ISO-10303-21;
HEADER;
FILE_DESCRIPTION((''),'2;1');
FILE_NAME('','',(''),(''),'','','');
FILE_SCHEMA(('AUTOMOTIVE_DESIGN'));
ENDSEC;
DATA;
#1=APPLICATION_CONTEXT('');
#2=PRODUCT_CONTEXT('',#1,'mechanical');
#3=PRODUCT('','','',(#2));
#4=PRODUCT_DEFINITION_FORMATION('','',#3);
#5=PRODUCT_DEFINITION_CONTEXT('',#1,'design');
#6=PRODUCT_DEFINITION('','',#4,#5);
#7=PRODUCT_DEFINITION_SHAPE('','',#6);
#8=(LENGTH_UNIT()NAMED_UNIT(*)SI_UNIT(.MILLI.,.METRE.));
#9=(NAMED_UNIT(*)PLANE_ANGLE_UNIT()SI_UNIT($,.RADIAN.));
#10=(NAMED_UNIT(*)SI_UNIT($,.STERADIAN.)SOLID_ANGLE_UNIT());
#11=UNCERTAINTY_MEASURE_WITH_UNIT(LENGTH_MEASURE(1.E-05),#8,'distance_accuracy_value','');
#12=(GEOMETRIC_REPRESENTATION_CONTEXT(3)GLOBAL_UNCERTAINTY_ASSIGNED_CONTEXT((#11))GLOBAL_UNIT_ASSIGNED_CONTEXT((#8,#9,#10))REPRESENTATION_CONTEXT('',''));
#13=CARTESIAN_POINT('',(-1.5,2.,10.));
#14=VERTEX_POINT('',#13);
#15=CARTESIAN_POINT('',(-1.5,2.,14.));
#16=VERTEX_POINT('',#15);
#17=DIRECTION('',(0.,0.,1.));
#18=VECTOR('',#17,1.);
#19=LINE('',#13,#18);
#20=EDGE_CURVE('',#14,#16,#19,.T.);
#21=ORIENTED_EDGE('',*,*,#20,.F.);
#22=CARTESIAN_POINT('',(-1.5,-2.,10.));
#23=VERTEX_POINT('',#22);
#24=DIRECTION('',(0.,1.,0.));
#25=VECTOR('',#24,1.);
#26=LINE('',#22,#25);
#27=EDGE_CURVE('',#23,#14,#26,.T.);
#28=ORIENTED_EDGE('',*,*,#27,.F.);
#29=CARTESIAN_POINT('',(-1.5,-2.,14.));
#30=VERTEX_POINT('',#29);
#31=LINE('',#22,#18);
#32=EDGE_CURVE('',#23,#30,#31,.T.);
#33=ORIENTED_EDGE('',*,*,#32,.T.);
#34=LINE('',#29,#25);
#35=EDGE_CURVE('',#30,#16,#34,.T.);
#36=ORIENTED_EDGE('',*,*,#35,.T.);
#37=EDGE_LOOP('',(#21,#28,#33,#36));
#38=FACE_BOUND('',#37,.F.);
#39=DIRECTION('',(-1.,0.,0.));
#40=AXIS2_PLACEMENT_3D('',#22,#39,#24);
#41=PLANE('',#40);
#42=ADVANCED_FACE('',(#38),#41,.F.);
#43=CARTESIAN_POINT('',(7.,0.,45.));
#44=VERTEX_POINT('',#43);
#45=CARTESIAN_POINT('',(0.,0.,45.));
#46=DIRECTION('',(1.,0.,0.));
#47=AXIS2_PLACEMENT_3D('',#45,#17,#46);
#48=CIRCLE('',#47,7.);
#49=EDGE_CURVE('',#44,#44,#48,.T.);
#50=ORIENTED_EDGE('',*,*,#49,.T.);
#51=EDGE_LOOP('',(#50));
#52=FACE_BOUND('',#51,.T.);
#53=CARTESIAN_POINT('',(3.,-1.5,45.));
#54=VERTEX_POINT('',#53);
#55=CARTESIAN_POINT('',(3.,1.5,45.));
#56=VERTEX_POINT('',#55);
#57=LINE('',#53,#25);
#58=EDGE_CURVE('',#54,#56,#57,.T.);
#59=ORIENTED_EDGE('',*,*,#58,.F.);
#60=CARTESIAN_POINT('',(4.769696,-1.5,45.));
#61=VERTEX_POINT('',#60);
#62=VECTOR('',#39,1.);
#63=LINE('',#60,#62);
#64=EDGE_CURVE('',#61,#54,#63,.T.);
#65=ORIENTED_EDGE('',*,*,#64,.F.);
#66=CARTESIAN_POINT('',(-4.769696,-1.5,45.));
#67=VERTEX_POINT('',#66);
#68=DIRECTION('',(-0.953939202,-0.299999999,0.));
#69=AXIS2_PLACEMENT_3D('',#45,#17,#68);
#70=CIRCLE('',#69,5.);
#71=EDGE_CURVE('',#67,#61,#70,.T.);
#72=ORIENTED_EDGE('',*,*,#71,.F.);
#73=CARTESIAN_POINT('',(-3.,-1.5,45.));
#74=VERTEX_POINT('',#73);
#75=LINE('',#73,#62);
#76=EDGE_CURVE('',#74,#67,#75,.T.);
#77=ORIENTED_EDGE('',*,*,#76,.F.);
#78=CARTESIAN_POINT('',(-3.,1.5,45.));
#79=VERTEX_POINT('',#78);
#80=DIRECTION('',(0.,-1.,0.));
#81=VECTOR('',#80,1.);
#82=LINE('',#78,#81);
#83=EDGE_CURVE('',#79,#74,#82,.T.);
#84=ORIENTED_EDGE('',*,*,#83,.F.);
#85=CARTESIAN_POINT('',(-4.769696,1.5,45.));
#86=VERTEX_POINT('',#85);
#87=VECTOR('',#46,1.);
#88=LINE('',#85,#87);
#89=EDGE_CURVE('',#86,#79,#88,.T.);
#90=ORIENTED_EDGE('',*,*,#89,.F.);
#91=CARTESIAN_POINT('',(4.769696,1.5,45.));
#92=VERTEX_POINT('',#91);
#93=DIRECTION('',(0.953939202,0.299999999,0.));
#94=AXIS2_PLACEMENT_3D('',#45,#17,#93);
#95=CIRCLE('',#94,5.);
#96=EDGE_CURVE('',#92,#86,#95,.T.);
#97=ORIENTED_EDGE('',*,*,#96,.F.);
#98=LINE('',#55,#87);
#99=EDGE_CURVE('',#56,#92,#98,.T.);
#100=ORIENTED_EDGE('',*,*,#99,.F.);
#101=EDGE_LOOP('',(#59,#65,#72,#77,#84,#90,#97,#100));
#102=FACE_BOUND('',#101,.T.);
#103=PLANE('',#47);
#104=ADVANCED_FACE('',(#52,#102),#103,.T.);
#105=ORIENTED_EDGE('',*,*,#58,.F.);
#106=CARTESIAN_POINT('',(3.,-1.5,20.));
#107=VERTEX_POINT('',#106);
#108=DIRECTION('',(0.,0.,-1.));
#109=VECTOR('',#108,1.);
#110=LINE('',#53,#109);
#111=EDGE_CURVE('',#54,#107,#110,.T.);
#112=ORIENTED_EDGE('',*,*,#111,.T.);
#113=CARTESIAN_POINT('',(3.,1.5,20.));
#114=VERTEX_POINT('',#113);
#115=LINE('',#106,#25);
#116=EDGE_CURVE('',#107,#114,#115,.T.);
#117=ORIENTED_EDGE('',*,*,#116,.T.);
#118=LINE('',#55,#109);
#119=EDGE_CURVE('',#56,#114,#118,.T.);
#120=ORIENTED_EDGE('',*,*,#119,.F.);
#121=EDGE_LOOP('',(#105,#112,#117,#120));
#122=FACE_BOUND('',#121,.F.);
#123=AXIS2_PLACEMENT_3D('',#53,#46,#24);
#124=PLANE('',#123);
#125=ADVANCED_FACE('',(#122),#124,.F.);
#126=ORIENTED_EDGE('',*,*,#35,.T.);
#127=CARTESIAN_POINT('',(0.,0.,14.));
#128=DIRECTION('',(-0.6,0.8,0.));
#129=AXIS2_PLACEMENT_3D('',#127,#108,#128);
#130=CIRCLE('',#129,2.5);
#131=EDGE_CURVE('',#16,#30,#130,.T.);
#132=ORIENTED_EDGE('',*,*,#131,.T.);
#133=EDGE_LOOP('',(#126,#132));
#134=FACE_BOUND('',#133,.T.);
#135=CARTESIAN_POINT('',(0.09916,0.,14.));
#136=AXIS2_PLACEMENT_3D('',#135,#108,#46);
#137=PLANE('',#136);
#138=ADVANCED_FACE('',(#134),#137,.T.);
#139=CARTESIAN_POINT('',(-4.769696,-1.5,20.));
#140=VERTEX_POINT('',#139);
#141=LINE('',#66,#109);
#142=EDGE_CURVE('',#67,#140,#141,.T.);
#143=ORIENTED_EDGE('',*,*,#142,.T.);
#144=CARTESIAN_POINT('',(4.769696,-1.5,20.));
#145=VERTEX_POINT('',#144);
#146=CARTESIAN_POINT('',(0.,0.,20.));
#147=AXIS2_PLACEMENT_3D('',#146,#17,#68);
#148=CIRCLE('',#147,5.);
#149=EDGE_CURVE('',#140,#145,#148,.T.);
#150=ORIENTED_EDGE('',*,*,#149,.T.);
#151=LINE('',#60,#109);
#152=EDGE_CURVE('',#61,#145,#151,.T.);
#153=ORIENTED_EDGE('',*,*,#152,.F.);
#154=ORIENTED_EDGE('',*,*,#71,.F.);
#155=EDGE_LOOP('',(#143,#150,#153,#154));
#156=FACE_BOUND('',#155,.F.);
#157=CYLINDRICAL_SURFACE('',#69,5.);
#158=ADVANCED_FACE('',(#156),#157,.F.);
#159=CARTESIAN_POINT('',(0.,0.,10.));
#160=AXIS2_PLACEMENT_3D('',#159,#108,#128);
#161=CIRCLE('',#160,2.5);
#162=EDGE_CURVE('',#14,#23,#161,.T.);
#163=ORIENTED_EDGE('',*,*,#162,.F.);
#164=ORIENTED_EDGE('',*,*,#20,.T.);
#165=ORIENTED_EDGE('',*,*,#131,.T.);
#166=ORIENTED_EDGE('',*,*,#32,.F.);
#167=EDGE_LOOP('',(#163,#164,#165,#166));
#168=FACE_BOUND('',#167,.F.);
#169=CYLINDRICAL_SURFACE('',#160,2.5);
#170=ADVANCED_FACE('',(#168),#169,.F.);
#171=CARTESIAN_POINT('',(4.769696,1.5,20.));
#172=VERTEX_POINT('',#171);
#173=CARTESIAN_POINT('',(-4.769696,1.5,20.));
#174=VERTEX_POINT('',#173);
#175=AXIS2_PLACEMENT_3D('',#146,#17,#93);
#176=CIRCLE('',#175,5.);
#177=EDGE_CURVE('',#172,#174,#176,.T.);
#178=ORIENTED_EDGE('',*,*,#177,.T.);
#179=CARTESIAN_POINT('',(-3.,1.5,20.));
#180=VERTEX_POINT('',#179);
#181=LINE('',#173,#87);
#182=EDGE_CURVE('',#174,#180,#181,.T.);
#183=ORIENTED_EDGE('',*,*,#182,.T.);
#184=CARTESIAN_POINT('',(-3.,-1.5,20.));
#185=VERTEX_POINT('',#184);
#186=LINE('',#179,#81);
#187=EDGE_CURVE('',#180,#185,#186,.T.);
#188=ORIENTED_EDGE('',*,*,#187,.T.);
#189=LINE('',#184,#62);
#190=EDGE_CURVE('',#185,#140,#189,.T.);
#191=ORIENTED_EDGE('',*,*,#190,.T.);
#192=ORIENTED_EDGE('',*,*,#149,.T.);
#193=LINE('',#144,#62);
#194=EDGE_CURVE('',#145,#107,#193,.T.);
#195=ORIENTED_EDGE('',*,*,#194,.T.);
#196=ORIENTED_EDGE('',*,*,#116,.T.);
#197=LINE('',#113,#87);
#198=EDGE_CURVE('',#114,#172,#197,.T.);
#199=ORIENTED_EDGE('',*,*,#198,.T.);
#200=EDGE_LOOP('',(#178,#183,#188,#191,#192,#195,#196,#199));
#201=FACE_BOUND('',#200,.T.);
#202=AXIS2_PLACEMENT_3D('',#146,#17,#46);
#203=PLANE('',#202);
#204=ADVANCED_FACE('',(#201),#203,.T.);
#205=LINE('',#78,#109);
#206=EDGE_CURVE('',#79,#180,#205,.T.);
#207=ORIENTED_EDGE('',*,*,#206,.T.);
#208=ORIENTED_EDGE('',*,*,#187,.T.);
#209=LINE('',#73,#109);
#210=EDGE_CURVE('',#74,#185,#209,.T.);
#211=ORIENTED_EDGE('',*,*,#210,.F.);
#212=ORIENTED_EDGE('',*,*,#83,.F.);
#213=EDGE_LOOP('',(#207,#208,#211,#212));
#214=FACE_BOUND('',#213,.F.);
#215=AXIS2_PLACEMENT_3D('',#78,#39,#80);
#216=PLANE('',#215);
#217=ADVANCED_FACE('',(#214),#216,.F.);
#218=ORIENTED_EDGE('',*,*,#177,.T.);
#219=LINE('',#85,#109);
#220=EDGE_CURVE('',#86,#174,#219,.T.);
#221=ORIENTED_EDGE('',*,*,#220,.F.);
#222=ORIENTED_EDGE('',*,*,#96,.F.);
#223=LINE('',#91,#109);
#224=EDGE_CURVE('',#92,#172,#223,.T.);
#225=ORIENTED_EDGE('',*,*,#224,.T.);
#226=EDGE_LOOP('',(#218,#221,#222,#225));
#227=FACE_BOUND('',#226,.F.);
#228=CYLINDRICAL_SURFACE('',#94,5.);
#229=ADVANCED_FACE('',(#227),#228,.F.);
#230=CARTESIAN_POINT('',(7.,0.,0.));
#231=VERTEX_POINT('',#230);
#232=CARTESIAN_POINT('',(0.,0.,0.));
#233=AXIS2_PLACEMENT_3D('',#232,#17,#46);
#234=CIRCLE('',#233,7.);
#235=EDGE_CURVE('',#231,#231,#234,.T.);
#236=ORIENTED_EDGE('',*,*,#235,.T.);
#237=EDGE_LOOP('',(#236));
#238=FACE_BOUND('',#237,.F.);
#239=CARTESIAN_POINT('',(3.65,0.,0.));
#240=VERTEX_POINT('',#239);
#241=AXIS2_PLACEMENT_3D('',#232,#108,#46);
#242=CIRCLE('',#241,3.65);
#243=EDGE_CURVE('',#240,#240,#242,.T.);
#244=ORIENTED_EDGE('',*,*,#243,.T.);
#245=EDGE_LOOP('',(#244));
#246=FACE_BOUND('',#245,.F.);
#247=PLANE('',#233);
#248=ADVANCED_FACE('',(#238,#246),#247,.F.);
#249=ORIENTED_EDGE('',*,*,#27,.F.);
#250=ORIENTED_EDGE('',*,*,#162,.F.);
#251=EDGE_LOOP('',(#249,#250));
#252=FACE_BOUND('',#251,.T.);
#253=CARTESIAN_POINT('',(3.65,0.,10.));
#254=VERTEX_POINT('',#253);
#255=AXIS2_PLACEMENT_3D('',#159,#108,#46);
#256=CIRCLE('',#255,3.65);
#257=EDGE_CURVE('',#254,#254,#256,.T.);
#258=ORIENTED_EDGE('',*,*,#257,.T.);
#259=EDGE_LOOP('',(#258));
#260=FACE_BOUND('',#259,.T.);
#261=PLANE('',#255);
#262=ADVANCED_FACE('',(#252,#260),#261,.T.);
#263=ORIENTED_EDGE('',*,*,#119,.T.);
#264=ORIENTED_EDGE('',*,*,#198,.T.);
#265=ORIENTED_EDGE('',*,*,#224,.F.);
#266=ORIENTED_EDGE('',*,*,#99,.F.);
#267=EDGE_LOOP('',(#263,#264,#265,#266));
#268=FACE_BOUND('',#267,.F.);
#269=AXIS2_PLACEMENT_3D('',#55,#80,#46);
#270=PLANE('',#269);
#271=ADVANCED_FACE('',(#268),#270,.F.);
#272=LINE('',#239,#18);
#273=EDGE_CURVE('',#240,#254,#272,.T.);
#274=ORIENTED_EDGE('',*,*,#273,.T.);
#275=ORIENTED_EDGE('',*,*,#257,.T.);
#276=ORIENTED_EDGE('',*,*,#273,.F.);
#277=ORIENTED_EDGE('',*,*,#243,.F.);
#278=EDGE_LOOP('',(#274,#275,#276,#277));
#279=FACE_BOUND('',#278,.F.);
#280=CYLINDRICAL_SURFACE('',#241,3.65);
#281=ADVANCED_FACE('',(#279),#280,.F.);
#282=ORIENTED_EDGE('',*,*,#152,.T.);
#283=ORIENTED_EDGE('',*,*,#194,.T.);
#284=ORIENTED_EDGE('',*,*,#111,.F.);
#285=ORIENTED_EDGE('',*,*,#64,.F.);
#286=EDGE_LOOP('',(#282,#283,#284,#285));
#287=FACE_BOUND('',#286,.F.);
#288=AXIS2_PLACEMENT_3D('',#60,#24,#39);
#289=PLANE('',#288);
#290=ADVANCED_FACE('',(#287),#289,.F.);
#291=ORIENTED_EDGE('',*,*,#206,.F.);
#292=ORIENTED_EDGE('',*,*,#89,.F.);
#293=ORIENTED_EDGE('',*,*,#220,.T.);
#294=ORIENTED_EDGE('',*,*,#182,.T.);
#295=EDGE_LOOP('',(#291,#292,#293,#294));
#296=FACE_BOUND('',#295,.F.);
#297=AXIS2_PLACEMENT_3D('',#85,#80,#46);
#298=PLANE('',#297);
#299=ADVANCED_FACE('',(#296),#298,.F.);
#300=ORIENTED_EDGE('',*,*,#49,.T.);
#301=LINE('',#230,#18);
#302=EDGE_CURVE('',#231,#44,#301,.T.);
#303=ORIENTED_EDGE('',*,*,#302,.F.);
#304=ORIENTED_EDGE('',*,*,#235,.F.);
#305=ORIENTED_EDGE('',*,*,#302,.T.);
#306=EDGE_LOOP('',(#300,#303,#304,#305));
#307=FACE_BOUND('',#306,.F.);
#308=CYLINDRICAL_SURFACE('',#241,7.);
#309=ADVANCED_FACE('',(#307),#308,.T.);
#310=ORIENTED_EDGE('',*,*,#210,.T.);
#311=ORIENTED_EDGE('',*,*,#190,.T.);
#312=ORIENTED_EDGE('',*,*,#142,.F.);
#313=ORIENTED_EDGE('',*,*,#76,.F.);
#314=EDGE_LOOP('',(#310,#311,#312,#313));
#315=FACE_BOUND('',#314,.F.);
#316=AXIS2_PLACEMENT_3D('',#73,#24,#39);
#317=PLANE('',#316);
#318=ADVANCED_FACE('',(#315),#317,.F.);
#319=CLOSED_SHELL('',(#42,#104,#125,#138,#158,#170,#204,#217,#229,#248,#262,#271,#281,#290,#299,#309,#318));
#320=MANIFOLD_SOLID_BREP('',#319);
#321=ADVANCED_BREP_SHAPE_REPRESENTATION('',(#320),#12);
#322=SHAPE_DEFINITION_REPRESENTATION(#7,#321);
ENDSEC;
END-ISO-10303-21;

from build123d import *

# Parameters (mm, degrees)
F0_R     = 7
F1_DEPTH = 45
F3_DEPTH = 25
F4_R     = 3.65
F5_DEPTH = 10
F7_DEPTH = 4


with BuildPart() as f1:
    # F0 (on Top) → F1 (new body)
    with BuildSketch(Plane.XY):
        Circle(F0_R)
    extrude(amount=F1_DEPTH)

    # F2 (on face) → F3 (cut)
    with BuildSketch(Plane.XY.offset(45)):
        with BuildLine():
            ThreePointArc((4.769696, 1.5), (0, 5), (-4.769696, 1.5))
            Line((-4.769696, 1.5), (-3, 1.5))
            Line((-3, 1.5), (-3, -1.5))
            Line((-3, -1.5), (-4.769696, -1.5))
            ThreePointArc((-4.769696, -1.5), (0, -5), (4.769696, -1.5))
            Line((4.769696, -1.5), (3, -1.5))
            Line((3, -1.5), (3, 1.5))
            Line((3, 1.5), (4.769696, 1.5))
        make_face()
    extrude(amount=-F3_DEPTH, mode=Mode.SUBTRACT)

    # F4 (on face) → F5 (cut)
    with BuildSketch(Plane(origin=(0, 0, 0), x_dir=(1, 0, 0), z_dir=(0, 0, -1))):
        Circle(F4_R)
    extrude(amount=-F5_DEPTH, mode=Mode.SUBTRACT)

    # F6 (on face) → F7 (cut)
    with BuildSketch(Plane(origin=(0, 0, 10), x_dir=(1, 0, 0), z_dir=(0, 0, -1))):
        with BuildLine():
            Line((-1.5, 2), (-1.5, -2))
            ThreePointArc((-1.5, -2), (2.5, 0), (-1.5, 2))
        make_face()
    extrude(amount=-F7_DEPTH, mode=Mode.SUBTRACT)


solid = f1.part
